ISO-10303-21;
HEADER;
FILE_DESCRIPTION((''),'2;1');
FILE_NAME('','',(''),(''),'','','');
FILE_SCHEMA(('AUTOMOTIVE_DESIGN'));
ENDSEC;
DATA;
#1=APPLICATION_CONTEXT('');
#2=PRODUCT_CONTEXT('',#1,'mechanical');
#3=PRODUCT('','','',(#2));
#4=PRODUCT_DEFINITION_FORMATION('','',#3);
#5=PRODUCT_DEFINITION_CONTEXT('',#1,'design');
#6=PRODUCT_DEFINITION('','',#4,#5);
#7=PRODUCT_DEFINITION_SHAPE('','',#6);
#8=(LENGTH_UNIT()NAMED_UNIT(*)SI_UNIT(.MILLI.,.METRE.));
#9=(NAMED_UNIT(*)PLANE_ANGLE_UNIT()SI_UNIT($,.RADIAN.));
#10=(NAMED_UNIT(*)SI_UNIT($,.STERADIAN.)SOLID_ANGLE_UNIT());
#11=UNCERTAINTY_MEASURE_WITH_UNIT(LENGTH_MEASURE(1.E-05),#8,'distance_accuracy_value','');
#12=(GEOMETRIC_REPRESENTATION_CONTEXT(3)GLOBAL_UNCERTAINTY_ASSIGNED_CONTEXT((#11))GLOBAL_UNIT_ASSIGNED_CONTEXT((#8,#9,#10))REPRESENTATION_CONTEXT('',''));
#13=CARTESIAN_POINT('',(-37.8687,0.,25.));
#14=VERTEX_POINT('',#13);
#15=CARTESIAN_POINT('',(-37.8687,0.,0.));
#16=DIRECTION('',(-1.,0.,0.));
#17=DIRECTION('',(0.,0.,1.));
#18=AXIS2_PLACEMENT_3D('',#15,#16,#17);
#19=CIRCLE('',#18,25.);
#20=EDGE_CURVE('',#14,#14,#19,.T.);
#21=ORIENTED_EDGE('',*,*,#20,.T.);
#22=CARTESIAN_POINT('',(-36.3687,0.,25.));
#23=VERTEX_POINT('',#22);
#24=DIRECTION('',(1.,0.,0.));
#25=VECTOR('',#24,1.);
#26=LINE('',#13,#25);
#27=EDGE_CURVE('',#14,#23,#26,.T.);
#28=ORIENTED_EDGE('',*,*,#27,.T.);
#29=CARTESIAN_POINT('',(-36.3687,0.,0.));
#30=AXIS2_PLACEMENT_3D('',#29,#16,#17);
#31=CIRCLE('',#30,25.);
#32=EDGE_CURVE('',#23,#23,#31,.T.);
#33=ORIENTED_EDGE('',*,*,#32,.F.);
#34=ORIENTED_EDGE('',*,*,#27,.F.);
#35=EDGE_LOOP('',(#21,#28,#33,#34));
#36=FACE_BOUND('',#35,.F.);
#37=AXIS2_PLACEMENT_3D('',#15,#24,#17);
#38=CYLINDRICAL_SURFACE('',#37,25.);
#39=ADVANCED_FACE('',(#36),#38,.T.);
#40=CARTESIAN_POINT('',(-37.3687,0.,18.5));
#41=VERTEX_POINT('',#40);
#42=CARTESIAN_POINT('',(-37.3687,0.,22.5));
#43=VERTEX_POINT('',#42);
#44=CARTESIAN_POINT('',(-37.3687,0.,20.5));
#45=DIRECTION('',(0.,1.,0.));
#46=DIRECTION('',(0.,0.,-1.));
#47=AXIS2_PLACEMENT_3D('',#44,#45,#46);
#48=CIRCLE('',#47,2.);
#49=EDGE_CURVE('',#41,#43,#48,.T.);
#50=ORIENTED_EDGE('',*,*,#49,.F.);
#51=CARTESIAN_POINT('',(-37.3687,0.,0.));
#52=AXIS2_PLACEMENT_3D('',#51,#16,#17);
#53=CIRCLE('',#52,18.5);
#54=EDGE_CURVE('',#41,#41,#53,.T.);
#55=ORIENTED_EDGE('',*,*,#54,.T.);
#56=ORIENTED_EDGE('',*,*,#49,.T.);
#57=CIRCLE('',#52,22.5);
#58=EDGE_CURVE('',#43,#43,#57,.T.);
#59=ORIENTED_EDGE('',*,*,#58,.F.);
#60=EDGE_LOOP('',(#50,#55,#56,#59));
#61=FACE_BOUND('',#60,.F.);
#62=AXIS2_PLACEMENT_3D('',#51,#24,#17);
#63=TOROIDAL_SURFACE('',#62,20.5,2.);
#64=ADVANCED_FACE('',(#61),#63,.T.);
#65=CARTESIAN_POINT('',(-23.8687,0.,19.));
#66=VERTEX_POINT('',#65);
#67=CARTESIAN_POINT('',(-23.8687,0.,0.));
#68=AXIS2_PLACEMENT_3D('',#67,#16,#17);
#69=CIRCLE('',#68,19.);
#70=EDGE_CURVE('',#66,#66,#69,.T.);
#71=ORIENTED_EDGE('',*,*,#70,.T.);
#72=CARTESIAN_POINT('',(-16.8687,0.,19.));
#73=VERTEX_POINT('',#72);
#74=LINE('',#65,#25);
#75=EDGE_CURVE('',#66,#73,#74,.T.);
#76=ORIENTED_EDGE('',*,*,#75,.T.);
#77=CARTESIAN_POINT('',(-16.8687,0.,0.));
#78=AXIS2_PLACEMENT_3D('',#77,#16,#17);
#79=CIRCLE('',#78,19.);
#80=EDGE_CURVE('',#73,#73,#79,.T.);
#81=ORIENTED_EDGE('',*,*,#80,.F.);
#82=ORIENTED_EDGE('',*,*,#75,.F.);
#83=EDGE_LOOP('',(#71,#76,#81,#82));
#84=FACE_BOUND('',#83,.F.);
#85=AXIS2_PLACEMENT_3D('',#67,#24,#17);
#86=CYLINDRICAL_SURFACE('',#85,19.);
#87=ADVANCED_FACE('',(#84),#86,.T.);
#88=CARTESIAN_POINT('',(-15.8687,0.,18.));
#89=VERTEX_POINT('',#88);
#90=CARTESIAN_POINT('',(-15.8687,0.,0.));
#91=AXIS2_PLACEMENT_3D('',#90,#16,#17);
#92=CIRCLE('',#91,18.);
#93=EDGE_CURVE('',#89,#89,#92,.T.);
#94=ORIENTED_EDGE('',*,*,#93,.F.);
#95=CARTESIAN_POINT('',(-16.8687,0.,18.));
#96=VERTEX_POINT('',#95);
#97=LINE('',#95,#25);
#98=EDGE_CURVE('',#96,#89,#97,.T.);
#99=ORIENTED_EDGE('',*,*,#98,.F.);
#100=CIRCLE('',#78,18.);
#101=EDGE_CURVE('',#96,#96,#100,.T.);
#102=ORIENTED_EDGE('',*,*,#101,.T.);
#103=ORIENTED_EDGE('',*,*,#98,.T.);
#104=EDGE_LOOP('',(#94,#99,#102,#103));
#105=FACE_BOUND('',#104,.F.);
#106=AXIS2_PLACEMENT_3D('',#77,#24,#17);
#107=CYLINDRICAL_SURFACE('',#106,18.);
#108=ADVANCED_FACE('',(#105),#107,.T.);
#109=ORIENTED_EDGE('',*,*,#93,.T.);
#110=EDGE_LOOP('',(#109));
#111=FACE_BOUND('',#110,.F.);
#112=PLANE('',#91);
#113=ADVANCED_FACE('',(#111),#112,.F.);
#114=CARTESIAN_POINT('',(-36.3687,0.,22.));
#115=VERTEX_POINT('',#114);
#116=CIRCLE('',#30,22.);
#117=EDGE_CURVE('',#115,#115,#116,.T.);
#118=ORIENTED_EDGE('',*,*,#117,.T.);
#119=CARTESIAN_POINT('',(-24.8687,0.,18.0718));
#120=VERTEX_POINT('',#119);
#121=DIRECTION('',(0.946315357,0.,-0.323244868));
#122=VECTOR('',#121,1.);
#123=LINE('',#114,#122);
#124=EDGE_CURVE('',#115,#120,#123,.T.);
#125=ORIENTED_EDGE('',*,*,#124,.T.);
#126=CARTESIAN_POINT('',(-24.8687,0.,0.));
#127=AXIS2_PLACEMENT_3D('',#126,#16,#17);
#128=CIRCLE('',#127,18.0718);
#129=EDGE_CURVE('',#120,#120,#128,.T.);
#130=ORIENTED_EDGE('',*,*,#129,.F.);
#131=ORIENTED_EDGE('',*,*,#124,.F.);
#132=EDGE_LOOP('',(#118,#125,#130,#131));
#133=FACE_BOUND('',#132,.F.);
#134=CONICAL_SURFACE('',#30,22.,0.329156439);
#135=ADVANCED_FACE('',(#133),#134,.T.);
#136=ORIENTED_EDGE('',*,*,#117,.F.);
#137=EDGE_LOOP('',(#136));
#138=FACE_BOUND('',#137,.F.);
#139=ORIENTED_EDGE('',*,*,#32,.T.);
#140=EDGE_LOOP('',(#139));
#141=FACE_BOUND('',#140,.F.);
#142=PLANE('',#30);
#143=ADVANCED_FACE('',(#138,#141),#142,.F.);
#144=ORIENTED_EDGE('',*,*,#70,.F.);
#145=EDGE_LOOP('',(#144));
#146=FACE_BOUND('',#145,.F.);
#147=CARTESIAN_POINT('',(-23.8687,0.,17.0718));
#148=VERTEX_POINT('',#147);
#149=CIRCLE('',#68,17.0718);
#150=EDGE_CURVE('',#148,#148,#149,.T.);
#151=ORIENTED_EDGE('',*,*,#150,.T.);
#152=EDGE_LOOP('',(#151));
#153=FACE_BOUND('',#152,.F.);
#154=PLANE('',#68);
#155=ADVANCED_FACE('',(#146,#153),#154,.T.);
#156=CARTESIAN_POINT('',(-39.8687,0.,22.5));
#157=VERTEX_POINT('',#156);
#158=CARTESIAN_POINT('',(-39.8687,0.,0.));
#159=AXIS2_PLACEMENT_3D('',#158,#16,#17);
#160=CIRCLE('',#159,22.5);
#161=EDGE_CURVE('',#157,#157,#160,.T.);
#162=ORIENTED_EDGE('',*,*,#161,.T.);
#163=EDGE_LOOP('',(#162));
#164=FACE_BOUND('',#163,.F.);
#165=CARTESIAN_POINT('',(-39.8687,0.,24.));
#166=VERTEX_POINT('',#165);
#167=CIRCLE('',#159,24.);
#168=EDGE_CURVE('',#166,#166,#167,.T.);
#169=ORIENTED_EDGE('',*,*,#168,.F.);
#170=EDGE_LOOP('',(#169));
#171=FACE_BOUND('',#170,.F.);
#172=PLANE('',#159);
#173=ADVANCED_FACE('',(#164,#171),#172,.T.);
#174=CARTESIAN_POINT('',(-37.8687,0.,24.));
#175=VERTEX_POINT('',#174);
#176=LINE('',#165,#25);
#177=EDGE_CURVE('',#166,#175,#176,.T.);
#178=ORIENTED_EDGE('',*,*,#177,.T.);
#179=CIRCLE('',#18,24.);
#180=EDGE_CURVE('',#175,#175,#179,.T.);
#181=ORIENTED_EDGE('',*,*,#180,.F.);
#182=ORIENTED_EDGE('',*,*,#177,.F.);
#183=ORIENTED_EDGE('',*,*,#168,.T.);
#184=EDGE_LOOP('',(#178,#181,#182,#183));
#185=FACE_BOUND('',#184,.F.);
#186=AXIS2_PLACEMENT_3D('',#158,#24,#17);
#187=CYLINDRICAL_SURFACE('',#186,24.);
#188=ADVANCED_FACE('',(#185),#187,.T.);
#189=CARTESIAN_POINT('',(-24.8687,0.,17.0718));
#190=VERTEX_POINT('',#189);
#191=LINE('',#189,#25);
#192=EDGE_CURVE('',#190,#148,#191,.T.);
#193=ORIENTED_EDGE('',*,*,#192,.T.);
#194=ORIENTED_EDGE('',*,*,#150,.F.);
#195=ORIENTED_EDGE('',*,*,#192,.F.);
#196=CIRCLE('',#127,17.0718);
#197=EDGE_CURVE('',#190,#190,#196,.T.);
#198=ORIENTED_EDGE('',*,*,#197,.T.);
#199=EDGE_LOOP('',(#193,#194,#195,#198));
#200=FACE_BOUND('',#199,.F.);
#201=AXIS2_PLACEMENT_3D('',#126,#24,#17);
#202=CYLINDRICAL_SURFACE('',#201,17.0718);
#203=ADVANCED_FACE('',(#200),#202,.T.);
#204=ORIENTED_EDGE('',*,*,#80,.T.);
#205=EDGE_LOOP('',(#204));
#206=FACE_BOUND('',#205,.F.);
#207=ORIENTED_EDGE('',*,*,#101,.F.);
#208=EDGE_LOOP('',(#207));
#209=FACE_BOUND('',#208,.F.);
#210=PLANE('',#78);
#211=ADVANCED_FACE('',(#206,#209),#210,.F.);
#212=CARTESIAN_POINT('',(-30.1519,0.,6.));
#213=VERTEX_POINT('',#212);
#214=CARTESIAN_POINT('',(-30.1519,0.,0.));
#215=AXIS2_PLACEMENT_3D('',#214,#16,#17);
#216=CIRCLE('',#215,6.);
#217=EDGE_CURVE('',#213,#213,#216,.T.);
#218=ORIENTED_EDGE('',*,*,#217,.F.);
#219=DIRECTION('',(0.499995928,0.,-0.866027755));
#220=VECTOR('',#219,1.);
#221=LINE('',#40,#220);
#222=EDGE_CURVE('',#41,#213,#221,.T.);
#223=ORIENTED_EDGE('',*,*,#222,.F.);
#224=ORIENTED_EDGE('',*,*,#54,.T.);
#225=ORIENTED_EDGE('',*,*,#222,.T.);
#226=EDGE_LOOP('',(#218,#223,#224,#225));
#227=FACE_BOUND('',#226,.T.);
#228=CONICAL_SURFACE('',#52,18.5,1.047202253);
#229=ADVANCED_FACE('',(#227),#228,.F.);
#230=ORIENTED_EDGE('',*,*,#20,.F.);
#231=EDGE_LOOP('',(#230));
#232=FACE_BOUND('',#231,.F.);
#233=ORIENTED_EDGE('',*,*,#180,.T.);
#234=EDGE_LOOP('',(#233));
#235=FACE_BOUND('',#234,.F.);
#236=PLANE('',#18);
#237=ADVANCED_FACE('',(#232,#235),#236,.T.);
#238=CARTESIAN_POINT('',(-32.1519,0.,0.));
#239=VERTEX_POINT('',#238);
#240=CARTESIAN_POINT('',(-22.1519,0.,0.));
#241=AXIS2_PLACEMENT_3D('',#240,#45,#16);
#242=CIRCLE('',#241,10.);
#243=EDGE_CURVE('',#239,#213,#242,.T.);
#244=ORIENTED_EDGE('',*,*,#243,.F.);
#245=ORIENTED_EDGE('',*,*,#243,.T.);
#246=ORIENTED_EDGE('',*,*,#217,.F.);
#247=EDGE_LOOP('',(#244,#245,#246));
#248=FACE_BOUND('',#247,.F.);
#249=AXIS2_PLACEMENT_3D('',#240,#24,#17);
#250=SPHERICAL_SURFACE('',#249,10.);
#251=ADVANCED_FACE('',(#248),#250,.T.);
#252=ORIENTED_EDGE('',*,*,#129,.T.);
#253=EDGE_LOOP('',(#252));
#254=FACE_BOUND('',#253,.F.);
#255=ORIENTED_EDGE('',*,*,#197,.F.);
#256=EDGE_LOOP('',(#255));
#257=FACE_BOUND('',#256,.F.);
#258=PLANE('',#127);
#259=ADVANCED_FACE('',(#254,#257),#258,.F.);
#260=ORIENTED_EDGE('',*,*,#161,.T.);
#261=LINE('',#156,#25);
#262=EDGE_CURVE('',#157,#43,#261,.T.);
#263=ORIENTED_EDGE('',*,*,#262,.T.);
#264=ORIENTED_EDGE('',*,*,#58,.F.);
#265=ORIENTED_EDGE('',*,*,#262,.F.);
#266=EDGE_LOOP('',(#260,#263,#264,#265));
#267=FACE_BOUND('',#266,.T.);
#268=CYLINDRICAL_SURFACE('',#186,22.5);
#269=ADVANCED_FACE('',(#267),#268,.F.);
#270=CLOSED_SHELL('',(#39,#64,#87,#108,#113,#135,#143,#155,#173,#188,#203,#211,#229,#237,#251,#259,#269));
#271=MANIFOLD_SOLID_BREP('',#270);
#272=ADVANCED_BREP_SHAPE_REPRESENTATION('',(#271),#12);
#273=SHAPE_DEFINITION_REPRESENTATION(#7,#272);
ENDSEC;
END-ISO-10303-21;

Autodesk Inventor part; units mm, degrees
ref_plane "YZ Plane" through (0, 0, 0) normal (1, 0, 0) x (0, 1, 0)
ref_plane "XZ Plane" through (0, 0, 0) normal (0, 1, 0) x (-1, 0, 0)
ref_plane "XY Plane" through (0, 0, 0) normal (0, 0, 1) x (1, 0, 0)
sketch "Skizze1" plane through (0, 0, 0) normal (0, 1, 0) x (-1, 0, 0)
  line L0 (39.8687, 22.5) -> (39.8687, 24)
  line L1 (39.8687, 24) -> (37.8687, 24)
  line L2 (37.8687, 24) -> (37.8687, 25)
  line L3 (37.8687, 25) -> (36.3687, 25)
  line L4 (36.3687, 22) -> (24.8687, 18.0718)
  line L5 (24.8687, 18.0718) -> (24.8687, 17.0718)
  line L6 (24.8687, 17.0718) -> (23.8687, 17.0718)
  line L7 (23.8687, 17.0718) -> (23.8687, 19)
  line L8 (23.8687, 19) -> (16.8687, 19)
  line L9 (16.8687, 19) -> (16.8687, 18)
  line L10 (16.8687, 18) -> (15.8687, 18)
  line L11 (15.8687, 18) -> (15.8687, 0)
  line L12 (39.8687, 22.5) -> (37.3687, 22.5)
  arc A0 (37.3687, 18.5) -> (37.3687, 22.5) centre (37.3687, 20.5) ccw
  line L13 (37.3687, 18.5) -> (30.1519, 6)
  arc A1 (32.1519, 0) -> (30.1519, 6) centre (22.1519, 0) ccw
  line L14 (0, -5) -> (0, 30) construction
  line L15 (-7.9737, 0) -> (47.8425, 0) construction
  line L16 (37.3687, 22.5) -> (37.3687, 18.5) construction
  line L17 (32.1519, 0) -> (15.8687, 0)
  line L18 (36.3687, 25) -> (36.3687, 22)
  point P0 (0, 0)
  dimension "d1" = 2
  dimension "d2" = 30
  dimension "d3" = 6
  dimension "d4" = 22.5
  dimension "d5" = 24
  dimension "d6" = 2
  dimension "d7" = 1
  dimension "d8" = 24
  dimension "d10" = 18
  dimension "d11" = 7
  dimension "d13" = 1
  dimension "d14" = 1
  dimension "d16" = 1
  dimension "d17" = 1.5
  dimension "d18" = 2
  dimension "d19" = 2.5
  dimension "d20" = 1
  dimension "d23" = 3
revolve "Umdrehung1" add sketch "Skizze1" angle 360 about axis through (0, 0, 0) along (-1, 0, 0)
properties part number "Loudspeaker"
